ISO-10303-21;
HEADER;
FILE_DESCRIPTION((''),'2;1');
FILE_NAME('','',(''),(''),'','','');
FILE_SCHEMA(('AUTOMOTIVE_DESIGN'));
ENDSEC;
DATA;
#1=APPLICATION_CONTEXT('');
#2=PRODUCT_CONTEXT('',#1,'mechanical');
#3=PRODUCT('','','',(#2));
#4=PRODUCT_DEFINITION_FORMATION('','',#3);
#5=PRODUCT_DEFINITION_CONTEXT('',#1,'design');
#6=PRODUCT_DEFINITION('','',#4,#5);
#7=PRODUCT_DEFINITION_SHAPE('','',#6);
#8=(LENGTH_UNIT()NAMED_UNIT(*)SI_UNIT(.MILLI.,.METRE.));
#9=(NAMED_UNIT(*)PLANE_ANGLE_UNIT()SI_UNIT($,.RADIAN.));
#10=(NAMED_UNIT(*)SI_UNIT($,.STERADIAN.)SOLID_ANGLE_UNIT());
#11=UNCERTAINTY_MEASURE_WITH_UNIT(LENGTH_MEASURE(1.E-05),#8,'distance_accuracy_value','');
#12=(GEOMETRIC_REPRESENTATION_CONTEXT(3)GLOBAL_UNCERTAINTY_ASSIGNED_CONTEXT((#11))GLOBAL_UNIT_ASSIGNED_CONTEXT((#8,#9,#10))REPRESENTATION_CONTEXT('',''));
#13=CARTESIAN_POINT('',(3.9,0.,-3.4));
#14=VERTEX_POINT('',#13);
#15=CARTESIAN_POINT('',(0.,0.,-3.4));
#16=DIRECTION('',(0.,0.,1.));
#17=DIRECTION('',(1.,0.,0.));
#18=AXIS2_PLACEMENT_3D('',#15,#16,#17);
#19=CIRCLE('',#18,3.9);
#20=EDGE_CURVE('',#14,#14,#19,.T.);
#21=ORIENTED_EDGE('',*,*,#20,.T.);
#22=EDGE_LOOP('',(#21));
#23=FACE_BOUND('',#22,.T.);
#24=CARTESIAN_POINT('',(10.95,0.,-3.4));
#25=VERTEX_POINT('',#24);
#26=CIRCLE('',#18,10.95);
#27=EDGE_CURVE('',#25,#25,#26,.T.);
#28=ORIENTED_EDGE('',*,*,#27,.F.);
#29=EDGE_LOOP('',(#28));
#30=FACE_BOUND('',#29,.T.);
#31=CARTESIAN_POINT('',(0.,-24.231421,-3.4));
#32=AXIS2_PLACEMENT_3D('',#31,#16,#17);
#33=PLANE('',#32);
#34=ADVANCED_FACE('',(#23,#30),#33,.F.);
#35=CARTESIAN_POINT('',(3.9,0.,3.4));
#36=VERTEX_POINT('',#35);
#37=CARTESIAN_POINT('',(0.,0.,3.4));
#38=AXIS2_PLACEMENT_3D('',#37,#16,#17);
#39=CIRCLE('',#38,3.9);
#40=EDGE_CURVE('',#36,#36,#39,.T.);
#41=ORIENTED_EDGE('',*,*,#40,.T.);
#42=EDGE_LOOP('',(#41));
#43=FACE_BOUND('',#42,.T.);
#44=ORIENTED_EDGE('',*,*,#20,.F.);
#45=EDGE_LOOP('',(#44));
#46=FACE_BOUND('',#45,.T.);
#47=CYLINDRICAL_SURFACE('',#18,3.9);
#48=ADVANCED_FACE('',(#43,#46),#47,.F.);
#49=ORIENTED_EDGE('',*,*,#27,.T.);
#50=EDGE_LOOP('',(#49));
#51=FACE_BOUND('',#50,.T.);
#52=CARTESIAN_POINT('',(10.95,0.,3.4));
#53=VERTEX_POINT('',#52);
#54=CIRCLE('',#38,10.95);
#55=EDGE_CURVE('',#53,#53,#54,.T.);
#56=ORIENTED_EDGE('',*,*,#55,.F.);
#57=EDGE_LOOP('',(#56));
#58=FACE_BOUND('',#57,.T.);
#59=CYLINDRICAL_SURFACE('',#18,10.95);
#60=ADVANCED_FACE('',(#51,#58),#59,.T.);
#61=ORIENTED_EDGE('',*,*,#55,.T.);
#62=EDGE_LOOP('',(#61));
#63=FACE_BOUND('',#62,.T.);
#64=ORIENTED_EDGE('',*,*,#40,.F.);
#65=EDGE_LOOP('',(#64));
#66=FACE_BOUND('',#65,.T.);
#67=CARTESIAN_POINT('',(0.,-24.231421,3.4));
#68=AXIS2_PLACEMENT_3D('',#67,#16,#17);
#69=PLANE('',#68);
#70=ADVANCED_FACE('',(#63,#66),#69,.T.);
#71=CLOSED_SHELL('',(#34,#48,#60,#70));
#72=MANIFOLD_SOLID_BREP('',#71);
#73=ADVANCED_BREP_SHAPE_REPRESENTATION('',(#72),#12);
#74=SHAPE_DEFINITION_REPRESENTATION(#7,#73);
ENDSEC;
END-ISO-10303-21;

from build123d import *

# Parameters (mm, degrees)
BOSS_EXTRUDE1_DEPTH      = 3.4
BOSS_EXTRUDE1_DEPTH_BACK = 3.4
SKETCH1_R                = 10.95
SKETCH1_R_2              = 3.9


with BuildPart() as part:
    # Sketch1 → Boss-Extrude1 (new, two sides: drawn at the far end of the back side and taken through both)
    with BuildSketch(Plane.XY.offset(-BOSS_EXTRUDE1_DEPTH_BACK)):
        Circle(SKETCH1_R)
        Circle(SKETCH1_R_2, mode=Mode.SUBTRACT)
    extrude(amount=BOSS_EXTRUDE1_DEPTH + BOSS_EXTRUDE1_DEPTH_BACK)


solid = part.part
